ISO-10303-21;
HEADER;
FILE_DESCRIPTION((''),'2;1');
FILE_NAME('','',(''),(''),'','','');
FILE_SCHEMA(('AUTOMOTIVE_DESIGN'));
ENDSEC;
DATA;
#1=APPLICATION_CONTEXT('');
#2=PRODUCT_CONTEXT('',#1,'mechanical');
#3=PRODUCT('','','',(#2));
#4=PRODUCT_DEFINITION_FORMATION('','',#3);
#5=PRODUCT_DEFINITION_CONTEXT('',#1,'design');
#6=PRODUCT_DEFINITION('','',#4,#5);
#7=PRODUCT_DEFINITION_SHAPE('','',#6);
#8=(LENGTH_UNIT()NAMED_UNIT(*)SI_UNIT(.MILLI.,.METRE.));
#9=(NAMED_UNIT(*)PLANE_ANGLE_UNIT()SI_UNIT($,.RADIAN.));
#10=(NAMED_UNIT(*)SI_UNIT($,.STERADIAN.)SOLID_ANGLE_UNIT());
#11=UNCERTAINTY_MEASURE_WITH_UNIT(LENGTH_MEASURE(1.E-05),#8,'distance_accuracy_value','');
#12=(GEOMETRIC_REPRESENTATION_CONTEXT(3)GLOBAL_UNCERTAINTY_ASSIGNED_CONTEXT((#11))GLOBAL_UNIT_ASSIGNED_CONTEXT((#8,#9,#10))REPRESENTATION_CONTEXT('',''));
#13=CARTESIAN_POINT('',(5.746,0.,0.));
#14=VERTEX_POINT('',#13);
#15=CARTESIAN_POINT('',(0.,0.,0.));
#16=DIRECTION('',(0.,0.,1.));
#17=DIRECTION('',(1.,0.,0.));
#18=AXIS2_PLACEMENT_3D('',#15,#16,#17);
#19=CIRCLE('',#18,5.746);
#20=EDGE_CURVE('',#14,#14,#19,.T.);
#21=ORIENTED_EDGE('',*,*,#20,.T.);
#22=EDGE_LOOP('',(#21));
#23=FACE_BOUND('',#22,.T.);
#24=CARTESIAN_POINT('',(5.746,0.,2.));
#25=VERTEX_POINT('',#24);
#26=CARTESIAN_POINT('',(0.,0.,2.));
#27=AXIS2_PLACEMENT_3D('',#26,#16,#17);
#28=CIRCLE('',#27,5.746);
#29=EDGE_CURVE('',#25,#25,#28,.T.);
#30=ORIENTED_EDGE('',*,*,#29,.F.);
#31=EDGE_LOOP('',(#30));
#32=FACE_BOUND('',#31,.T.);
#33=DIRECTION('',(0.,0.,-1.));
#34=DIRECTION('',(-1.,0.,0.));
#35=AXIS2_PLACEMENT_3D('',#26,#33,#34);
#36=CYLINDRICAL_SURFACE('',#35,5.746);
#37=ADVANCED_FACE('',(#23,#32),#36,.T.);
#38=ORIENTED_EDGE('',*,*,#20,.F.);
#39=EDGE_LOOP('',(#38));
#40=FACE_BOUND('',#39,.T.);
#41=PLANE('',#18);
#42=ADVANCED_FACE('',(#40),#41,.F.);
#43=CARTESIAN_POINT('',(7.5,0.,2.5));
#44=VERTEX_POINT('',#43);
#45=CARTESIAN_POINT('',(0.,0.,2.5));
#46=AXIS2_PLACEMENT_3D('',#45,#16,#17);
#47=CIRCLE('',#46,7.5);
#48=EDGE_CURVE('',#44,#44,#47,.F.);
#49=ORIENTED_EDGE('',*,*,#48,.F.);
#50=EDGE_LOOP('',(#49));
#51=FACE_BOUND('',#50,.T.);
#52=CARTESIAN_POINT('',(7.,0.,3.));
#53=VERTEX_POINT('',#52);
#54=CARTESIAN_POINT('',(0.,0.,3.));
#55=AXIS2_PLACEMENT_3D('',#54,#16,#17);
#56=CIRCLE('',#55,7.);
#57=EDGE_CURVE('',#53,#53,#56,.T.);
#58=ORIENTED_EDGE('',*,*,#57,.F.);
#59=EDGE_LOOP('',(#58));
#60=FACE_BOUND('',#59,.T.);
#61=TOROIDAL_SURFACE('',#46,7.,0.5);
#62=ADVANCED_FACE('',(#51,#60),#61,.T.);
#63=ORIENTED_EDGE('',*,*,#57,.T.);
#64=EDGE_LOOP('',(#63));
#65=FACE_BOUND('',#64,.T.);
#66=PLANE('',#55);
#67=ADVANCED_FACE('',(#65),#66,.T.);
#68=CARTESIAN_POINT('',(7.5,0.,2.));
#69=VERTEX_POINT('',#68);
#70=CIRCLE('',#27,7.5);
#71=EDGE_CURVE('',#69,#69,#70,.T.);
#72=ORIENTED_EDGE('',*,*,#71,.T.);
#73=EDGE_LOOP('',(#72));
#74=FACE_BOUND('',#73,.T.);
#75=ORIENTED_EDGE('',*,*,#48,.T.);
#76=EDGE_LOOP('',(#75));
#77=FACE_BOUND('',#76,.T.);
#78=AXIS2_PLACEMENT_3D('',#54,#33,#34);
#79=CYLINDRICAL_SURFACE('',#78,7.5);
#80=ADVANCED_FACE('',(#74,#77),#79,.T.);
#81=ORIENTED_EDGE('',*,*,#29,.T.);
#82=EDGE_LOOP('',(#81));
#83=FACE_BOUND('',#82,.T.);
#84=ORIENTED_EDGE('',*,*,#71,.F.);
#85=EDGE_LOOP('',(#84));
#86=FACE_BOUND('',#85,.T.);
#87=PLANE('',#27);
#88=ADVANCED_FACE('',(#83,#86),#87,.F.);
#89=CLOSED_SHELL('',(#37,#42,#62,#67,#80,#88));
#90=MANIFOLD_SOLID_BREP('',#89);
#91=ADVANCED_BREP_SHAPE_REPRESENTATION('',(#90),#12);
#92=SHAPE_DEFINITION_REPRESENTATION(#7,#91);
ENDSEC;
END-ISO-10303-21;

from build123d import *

# Parameters (mm, degrees)
SKETCH1_R           = 5.746
BOSS_EXTRUDE1_DEPTH = 2
SKETCH2_R           = 7.5
BOSS_EXTRUDE2_DEPTH = 1
FILLET1_R           = 0.5


with BuildPart() as part:
    # Sketch1 → Boss-Extrude1 (new body)
    with BuildSketch(Plane.XY):
        Circle(SKETCH1_R)
    extrude(amount=BOSS_EXTRUDE1_DEPTH)

    # Sketch2 → Boss-Extrude2 (add)
    with BuildSketch(Plane.XY.offset(2)):
        Circle(SKETCH2_R)
    extrude(amount=BOSS_EXTRUDE2_DEPTH)

    # Fillet1
    fillet1_edges = [part.edges().sort_by_distance(p)[0] for p in [
        (-7.5, 0, 3),
    ]]
    fillet(fillet1_edges, radius=FILLET1_R)


solid = part.part
